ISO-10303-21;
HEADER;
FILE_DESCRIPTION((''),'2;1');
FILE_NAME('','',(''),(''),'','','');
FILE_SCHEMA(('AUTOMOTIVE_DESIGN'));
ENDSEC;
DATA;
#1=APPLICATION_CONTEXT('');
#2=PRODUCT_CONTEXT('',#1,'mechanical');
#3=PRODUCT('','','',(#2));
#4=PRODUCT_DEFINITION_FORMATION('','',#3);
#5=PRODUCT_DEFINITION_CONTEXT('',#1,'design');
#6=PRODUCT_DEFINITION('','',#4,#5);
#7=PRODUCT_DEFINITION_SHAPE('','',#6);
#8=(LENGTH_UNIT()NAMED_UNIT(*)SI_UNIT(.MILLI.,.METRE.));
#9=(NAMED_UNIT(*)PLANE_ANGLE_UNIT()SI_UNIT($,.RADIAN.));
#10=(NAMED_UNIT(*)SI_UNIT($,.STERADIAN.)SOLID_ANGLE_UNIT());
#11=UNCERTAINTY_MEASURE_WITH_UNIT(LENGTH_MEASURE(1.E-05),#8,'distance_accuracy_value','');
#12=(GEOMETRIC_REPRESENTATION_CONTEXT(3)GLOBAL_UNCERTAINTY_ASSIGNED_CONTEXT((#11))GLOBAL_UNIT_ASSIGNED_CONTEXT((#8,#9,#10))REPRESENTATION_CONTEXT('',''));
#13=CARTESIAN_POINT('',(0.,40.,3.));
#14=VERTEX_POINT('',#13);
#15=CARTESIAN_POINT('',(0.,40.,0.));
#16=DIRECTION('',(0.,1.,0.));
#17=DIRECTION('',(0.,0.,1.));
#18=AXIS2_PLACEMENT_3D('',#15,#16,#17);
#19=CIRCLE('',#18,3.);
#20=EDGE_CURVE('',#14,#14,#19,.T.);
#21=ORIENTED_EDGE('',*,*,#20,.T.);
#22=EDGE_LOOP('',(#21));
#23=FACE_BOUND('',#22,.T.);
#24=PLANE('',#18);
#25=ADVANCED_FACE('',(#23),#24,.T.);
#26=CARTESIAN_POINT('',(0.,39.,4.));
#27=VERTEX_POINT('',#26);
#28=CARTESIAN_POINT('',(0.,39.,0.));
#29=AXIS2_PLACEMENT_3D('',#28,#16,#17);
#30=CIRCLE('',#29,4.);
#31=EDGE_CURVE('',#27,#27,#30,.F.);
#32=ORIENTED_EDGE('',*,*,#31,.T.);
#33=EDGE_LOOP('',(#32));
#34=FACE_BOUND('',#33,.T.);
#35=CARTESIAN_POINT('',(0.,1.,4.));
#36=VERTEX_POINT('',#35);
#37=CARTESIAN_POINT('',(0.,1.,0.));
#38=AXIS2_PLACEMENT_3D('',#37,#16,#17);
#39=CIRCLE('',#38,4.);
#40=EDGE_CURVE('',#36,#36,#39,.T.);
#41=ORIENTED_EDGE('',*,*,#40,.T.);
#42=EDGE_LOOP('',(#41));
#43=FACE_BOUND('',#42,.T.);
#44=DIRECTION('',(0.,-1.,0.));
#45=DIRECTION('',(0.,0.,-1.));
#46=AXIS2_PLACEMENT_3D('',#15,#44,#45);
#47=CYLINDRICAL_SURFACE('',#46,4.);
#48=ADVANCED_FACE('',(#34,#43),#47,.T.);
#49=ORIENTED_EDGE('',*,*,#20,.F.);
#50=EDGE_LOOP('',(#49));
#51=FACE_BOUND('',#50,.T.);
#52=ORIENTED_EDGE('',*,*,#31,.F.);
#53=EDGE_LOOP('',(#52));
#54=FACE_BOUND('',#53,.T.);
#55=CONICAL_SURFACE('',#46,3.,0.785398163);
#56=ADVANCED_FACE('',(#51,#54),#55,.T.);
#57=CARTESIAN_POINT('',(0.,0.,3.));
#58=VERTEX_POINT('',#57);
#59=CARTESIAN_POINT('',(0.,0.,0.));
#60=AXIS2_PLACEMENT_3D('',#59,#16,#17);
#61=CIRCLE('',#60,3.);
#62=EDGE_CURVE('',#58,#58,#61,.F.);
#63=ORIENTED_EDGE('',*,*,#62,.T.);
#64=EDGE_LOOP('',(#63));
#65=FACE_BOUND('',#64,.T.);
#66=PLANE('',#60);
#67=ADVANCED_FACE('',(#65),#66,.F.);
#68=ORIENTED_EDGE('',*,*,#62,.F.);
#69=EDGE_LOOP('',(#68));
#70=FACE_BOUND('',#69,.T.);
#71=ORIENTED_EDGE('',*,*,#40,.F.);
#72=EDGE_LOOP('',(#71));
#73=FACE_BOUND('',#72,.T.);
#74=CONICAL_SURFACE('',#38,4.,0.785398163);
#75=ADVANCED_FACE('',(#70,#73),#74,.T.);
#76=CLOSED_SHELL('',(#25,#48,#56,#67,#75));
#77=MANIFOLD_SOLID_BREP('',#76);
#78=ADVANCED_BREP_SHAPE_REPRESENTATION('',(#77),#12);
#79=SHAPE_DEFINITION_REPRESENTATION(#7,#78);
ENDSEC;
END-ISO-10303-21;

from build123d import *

# Parameters (mm, degrees)
SKETCH_1_R      = 4
EXTRUDE_1_DEPTH = 40
CHAMFER_1_SIZE  = 1


with BuildPart() as part:
    # Эскиз1 → Бобышка-Вытянуть1 (new body)
    with BuildSketch(Plane(origin=(0, 0, 0), x_dir=(1, 0, 0), z_dir=(0, 1, 0))):
        with Locations(Location((0, 0, 0), (0, 0, 270))):
            Circle(SKETCH_1_R)
    extrude(amount=EXTRUDE_1_DEPTH)

    # Фаска1
    chamfer_1_edges = [part.edges().sort_by_distance(p)[0] for p in [
        (0, 0, -4),
        (0, 40, -4),
    ]]
    chamfer(chamfer_1_edges, length=CHAMFER_1_SIZE)


solid = part.part
